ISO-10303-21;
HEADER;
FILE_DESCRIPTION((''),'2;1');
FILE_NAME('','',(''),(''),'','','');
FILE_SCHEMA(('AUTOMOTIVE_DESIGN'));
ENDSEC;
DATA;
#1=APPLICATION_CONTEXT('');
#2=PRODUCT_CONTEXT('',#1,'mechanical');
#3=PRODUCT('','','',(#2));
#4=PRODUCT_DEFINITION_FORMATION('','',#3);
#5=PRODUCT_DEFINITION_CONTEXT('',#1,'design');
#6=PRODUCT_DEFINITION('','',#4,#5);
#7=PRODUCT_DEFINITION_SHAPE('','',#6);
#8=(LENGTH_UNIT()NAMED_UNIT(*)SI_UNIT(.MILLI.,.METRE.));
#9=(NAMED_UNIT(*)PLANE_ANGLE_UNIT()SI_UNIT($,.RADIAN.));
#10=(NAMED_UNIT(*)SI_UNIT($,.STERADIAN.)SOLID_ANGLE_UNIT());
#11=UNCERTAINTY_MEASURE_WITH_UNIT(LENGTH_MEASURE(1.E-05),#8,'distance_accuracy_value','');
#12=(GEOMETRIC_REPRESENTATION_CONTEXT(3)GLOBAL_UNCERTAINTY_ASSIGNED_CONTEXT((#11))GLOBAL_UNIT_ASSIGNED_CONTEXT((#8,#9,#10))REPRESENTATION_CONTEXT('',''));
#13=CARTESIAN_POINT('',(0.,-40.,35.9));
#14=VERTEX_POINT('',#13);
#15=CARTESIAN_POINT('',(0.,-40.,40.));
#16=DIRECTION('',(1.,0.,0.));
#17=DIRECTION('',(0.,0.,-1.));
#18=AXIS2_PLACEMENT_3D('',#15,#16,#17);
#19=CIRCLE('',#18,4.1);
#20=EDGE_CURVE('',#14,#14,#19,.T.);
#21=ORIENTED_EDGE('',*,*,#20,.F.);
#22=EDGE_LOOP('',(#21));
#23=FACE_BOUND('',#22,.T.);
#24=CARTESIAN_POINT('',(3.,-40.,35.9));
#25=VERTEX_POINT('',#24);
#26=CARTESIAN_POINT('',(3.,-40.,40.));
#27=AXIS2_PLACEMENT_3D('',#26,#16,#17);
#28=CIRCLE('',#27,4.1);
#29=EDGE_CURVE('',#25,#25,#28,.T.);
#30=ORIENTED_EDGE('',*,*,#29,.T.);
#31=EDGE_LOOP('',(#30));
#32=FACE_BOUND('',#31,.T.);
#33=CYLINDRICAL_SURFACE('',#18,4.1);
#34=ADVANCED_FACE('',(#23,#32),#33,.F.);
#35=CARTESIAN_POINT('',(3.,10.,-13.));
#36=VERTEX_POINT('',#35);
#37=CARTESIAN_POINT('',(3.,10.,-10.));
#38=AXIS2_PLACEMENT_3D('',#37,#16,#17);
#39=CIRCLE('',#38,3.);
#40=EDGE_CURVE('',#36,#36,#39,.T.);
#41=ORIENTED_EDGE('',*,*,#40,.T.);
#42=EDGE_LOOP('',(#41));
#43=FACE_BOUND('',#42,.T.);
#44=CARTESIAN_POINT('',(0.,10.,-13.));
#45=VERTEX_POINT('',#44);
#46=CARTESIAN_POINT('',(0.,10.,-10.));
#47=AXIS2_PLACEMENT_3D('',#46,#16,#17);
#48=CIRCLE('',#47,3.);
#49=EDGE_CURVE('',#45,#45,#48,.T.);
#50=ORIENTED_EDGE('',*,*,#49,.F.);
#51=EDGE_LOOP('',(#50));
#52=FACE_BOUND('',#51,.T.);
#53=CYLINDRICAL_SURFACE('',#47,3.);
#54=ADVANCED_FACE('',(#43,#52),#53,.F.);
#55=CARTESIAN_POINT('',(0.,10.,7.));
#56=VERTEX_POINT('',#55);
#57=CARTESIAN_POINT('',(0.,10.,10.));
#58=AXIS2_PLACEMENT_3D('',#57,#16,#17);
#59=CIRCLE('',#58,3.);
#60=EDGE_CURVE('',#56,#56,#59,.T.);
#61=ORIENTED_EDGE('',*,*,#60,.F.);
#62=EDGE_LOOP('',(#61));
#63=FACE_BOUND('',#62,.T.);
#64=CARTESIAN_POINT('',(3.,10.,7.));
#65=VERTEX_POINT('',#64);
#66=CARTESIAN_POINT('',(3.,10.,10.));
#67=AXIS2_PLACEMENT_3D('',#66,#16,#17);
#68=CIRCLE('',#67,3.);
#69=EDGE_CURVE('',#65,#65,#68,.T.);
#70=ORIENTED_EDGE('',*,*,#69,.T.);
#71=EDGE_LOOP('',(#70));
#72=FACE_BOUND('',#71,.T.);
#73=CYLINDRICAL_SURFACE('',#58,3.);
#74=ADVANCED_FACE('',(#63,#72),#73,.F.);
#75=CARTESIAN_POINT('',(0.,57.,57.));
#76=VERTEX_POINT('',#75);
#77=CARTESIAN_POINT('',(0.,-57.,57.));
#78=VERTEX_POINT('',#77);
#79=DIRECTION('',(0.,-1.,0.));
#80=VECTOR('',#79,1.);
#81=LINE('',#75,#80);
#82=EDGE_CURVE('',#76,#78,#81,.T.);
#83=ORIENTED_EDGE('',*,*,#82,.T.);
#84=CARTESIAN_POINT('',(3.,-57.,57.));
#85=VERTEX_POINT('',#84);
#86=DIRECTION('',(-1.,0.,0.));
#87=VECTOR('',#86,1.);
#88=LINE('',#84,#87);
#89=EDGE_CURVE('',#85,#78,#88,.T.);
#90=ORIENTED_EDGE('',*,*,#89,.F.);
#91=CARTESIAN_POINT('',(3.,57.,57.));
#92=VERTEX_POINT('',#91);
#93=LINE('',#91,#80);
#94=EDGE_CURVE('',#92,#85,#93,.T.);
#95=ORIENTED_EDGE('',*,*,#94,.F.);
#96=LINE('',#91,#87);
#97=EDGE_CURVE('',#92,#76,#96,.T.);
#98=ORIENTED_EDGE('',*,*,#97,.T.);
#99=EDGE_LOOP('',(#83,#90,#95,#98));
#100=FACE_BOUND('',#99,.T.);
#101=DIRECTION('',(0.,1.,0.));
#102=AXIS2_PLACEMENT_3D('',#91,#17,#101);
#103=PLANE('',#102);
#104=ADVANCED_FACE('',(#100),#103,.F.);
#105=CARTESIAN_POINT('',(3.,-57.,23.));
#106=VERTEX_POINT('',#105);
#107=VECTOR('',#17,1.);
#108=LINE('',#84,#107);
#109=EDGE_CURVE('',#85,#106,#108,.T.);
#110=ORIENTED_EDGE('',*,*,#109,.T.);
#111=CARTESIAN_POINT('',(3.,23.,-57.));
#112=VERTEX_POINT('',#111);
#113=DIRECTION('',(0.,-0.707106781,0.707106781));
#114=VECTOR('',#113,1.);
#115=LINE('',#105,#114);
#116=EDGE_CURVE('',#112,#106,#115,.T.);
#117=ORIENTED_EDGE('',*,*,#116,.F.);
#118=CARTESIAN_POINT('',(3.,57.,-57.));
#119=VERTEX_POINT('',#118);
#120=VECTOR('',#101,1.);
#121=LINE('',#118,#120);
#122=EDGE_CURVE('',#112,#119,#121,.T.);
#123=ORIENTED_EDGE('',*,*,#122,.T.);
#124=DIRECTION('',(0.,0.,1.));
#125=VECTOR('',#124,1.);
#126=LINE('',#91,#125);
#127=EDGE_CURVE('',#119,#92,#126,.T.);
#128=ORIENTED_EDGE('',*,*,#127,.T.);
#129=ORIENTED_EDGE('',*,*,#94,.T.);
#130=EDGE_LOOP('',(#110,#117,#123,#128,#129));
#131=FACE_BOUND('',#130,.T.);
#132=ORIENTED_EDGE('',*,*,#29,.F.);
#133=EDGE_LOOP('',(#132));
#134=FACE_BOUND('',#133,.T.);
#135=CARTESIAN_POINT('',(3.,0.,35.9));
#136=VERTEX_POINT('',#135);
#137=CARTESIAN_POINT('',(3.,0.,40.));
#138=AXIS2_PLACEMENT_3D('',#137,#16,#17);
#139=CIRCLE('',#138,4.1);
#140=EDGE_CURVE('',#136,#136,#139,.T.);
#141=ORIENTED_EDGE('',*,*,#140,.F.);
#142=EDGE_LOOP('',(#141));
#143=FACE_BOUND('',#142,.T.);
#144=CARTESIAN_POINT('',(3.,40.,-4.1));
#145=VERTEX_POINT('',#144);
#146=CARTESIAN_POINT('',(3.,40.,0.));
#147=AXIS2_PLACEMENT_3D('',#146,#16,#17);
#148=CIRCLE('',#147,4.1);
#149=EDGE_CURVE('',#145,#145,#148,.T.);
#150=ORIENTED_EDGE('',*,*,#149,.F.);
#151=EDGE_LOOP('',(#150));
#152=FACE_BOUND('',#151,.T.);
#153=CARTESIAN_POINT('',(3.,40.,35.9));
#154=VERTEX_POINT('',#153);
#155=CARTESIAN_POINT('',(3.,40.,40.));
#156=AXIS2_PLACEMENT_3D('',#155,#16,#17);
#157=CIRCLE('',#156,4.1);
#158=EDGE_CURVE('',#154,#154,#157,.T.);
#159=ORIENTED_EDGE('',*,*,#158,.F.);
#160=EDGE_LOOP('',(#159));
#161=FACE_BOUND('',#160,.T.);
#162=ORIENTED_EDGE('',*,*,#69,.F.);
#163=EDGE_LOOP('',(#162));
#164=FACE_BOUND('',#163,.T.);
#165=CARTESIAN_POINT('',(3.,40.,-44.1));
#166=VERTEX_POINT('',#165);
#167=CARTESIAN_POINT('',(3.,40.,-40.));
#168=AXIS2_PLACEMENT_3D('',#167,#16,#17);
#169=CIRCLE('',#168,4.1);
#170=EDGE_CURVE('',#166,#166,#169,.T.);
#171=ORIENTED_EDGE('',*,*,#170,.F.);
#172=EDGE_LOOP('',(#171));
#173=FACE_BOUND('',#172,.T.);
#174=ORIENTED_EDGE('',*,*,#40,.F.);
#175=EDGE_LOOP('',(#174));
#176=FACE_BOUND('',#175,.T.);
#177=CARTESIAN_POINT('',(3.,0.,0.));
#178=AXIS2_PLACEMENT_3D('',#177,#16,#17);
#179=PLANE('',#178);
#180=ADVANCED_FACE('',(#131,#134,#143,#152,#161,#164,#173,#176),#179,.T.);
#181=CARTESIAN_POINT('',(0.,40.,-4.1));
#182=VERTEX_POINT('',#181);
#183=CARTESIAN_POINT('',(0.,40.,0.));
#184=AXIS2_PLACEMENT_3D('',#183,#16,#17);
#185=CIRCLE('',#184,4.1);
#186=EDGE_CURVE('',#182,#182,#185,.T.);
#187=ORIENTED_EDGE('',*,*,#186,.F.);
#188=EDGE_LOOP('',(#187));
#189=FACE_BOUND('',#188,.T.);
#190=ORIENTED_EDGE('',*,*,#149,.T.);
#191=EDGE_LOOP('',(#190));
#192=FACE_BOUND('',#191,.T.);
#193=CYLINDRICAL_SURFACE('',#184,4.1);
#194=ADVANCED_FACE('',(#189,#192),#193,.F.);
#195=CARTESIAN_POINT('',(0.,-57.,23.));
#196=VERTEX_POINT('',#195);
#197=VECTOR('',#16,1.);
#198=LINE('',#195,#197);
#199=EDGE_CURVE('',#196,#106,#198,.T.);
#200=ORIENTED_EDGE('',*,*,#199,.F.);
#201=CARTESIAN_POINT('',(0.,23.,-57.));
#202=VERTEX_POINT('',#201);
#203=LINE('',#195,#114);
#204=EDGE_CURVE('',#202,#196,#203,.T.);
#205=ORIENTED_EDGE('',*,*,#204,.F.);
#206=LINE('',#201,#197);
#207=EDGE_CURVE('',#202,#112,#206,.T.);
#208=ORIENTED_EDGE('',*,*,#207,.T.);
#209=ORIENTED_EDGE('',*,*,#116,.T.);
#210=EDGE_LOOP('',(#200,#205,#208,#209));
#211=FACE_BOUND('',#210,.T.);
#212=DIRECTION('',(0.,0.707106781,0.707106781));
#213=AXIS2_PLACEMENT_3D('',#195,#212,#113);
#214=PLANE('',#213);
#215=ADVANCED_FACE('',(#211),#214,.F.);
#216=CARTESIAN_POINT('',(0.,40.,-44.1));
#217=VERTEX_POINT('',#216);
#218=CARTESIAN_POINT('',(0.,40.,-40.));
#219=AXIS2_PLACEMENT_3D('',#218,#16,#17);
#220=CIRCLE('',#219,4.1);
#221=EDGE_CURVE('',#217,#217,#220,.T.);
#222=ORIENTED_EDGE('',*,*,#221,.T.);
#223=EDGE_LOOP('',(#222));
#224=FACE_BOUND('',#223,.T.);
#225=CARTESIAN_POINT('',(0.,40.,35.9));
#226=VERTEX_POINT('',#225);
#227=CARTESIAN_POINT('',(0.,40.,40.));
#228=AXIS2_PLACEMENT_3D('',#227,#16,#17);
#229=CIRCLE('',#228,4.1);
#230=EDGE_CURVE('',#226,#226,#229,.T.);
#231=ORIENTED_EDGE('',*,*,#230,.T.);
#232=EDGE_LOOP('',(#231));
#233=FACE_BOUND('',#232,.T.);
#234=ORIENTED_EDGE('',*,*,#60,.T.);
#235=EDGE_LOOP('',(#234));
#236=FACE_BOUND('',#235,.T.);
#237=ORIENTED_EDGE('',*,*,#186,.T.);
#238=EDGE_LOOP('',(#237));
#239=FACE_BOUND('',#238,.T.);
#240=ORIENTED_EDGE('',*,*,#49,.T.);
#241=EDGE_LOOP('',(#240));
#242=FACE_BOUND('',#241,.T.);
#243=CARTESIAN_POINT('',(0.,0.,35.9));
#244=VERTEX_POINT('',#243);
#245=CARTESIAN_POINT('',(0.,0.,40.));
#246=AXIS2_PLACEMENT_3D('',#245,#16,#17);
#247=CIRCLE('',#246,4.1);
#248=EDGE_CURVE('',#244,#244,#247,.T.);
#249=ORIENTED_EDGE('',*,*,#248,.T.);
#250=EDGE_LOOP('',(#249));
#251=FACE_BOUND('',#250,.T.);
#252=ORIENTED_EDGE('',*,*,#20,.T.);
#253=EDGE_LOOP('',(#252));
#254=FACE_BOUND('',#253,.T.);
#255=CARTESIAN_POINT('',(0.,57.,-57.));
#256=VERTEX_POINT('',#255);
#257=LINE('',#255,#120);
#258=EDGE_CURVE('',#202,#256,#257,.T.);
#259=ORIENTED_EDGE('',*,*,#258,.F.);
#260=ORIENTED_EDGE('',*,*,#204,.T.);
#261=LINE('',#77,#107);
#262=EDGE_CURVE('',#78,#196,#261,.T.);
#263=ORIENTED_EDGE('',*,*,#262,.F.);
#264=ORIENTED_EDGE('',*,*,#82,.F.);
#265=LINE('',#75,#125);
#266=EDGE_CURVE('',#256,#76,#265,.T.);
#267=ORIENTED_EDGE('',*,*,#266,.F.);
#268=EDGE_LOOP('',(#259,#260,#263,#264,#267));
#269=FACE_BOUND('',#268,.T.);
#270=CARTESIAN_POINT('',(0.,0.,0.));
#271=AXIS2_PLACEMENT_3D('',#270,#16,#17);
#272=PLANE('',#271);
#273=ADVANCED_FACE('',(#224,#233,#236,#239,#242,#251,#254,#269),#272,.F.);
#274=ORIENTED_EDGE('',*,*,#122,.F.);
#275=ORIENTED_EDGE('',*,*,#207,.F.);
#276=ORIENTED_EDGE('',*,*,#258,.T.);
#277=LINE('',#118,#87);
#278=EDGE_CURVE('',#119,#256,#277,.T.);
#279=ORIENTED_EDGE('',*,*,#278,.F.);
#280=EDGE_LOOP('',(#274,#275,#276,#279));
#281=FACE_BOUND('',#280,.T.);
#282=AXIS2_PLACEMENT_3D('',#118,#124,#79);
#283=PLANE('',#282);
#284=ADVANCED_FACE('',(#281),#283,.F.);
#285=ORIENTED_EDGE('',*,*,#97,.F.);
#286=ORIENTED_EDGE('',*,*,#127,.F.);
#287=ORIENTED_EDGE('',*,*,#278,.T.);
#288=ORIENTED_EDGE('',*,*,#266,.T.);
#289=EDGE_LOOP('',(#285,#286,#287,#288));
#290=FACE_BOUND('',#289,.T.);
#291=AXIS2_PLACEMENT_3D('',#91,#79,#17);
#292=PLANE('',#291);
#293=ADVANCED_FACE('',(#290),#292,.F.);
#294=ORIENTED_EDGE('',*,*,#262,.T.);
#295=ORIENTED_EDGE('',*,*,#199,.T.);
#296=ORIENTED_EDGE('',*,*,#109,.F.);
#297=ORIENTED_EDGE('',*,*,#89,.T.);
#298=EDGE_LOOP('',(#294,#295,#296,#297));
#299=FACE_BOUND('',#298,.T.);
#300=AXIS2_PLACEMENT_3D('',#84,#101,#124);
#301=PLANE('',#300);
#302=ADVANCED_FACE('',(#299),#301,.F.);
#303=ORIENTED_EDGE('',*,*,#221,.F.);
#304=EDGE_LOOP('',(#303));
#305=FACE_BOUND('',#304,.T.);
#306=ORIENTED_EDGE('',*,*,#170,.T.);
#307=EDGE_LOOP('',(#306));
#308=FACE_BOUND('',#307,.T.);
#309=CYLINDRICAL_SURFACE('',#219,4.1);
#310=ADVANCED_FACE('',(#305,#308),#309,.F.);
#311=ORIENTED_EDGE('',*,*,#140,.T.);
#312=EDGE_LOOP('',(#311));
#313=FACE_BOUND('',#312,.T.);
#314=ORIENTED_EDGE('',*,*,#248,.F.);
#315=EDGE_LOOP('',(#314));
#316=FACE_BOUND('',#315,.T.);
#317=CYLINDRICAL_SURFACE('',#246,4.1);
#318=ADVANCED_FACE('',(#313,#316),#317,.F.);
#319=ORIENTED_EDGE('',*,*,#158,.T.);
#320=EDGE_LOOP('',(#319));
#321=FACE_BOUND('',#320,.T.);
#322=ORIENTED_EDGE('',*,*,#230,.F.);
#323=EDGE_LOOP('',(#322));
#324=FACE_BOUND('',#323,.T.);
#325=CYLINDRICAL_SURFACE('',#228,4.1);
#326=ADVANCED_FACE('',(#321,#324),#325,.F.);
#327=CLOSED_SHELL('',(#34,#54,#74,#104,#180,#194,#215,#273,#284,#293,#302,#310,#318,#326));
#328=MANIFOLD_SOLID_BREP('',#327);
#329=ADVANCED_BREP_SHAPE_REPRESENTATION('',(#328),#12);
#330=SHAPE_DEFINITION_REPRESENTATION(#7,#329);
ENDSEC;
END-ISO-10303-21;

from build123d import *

# Parameters (mm, degrees)
SKETCH_1_W          = 114
SKETCH_1_H          = 114
EXTRUDE_266_DEPTH   = 3
SKETCH_2_R          = 4.1
CUT_EXTRUDE_1_DEPTH = 81.665977958
CUT_EXTRUDE_2_DEPTH = 81.665977958
SKETCH_4_R          = 3
CUT_EXTRUDE_3_DEPTH = 81.665977958


with BuildPart() as part:
    # Эскиз1 → Extrude 266 (new body)
    with BuildSketch(Plane(origin=(0, 0, 0), x_dir=(0, 0, -1), z_dir=(1, 0, 0))):
        Rectangle(SKETCH_1_W, SKETCH_1_H)
    extrude(amount=EXTRUDE_266_DEPTH)

    # Эскиз2 → Вырез-Вытянуть1 (cut, through all)
    with BuildSketch(Plane(origin=(3, 0, 0), x_dir=(0, 0, -1), z_dir=(1, 0, 0))):
        with Locations((0, 40)):
            Circle(SKETCH_2_R)
        with Locations((40, 40)):
            Circle(SKETCH_2_R)
        with Locations((-40, 0)):
            Circle(SKETCH_2_R)
        with Locations((-40, -40)):
            Circle(SKETCH_2_R)
        with Locations((-40, 40)):
            Circle(SKETCH_2_R)
    extrude(amount=-CUT_EXTRUDE_1_DEPTH, mode=Mode.SUBTRACT)

    # Эскиз3 → Вырез-Вытянуть2 (cut, through all)
    with BuildSketch(Plane(origin=(3, 0, 0), x_dir=(0, 0, -1), z_dir=(1, 0, 0))):
        Polygon((57, 23), (57, -57), (-23, -57), align=None)
    extrude(amount=-CUT_EXTRUDE_2_DEPTH, mode=Mode.SUBTRACT)

    # Эскиз4 → Вырез-Вытянуть3 (cut, through all)
    with BuildSketch(Plane(origin=(3, 0, 0), x_dir=(0, 0, -1), z_dir=(1, 0, 0))):
        with Locations((-10, 10)):
            Circle(SKETCH_4_R)
        with Locations((10, 10)):
            Circle(SKETCH_4_R)
    extrude(amount=-CUT_EXTRUDE_3_DEPTH, mode=Mode.SUBTRACT)


solid = part.part
